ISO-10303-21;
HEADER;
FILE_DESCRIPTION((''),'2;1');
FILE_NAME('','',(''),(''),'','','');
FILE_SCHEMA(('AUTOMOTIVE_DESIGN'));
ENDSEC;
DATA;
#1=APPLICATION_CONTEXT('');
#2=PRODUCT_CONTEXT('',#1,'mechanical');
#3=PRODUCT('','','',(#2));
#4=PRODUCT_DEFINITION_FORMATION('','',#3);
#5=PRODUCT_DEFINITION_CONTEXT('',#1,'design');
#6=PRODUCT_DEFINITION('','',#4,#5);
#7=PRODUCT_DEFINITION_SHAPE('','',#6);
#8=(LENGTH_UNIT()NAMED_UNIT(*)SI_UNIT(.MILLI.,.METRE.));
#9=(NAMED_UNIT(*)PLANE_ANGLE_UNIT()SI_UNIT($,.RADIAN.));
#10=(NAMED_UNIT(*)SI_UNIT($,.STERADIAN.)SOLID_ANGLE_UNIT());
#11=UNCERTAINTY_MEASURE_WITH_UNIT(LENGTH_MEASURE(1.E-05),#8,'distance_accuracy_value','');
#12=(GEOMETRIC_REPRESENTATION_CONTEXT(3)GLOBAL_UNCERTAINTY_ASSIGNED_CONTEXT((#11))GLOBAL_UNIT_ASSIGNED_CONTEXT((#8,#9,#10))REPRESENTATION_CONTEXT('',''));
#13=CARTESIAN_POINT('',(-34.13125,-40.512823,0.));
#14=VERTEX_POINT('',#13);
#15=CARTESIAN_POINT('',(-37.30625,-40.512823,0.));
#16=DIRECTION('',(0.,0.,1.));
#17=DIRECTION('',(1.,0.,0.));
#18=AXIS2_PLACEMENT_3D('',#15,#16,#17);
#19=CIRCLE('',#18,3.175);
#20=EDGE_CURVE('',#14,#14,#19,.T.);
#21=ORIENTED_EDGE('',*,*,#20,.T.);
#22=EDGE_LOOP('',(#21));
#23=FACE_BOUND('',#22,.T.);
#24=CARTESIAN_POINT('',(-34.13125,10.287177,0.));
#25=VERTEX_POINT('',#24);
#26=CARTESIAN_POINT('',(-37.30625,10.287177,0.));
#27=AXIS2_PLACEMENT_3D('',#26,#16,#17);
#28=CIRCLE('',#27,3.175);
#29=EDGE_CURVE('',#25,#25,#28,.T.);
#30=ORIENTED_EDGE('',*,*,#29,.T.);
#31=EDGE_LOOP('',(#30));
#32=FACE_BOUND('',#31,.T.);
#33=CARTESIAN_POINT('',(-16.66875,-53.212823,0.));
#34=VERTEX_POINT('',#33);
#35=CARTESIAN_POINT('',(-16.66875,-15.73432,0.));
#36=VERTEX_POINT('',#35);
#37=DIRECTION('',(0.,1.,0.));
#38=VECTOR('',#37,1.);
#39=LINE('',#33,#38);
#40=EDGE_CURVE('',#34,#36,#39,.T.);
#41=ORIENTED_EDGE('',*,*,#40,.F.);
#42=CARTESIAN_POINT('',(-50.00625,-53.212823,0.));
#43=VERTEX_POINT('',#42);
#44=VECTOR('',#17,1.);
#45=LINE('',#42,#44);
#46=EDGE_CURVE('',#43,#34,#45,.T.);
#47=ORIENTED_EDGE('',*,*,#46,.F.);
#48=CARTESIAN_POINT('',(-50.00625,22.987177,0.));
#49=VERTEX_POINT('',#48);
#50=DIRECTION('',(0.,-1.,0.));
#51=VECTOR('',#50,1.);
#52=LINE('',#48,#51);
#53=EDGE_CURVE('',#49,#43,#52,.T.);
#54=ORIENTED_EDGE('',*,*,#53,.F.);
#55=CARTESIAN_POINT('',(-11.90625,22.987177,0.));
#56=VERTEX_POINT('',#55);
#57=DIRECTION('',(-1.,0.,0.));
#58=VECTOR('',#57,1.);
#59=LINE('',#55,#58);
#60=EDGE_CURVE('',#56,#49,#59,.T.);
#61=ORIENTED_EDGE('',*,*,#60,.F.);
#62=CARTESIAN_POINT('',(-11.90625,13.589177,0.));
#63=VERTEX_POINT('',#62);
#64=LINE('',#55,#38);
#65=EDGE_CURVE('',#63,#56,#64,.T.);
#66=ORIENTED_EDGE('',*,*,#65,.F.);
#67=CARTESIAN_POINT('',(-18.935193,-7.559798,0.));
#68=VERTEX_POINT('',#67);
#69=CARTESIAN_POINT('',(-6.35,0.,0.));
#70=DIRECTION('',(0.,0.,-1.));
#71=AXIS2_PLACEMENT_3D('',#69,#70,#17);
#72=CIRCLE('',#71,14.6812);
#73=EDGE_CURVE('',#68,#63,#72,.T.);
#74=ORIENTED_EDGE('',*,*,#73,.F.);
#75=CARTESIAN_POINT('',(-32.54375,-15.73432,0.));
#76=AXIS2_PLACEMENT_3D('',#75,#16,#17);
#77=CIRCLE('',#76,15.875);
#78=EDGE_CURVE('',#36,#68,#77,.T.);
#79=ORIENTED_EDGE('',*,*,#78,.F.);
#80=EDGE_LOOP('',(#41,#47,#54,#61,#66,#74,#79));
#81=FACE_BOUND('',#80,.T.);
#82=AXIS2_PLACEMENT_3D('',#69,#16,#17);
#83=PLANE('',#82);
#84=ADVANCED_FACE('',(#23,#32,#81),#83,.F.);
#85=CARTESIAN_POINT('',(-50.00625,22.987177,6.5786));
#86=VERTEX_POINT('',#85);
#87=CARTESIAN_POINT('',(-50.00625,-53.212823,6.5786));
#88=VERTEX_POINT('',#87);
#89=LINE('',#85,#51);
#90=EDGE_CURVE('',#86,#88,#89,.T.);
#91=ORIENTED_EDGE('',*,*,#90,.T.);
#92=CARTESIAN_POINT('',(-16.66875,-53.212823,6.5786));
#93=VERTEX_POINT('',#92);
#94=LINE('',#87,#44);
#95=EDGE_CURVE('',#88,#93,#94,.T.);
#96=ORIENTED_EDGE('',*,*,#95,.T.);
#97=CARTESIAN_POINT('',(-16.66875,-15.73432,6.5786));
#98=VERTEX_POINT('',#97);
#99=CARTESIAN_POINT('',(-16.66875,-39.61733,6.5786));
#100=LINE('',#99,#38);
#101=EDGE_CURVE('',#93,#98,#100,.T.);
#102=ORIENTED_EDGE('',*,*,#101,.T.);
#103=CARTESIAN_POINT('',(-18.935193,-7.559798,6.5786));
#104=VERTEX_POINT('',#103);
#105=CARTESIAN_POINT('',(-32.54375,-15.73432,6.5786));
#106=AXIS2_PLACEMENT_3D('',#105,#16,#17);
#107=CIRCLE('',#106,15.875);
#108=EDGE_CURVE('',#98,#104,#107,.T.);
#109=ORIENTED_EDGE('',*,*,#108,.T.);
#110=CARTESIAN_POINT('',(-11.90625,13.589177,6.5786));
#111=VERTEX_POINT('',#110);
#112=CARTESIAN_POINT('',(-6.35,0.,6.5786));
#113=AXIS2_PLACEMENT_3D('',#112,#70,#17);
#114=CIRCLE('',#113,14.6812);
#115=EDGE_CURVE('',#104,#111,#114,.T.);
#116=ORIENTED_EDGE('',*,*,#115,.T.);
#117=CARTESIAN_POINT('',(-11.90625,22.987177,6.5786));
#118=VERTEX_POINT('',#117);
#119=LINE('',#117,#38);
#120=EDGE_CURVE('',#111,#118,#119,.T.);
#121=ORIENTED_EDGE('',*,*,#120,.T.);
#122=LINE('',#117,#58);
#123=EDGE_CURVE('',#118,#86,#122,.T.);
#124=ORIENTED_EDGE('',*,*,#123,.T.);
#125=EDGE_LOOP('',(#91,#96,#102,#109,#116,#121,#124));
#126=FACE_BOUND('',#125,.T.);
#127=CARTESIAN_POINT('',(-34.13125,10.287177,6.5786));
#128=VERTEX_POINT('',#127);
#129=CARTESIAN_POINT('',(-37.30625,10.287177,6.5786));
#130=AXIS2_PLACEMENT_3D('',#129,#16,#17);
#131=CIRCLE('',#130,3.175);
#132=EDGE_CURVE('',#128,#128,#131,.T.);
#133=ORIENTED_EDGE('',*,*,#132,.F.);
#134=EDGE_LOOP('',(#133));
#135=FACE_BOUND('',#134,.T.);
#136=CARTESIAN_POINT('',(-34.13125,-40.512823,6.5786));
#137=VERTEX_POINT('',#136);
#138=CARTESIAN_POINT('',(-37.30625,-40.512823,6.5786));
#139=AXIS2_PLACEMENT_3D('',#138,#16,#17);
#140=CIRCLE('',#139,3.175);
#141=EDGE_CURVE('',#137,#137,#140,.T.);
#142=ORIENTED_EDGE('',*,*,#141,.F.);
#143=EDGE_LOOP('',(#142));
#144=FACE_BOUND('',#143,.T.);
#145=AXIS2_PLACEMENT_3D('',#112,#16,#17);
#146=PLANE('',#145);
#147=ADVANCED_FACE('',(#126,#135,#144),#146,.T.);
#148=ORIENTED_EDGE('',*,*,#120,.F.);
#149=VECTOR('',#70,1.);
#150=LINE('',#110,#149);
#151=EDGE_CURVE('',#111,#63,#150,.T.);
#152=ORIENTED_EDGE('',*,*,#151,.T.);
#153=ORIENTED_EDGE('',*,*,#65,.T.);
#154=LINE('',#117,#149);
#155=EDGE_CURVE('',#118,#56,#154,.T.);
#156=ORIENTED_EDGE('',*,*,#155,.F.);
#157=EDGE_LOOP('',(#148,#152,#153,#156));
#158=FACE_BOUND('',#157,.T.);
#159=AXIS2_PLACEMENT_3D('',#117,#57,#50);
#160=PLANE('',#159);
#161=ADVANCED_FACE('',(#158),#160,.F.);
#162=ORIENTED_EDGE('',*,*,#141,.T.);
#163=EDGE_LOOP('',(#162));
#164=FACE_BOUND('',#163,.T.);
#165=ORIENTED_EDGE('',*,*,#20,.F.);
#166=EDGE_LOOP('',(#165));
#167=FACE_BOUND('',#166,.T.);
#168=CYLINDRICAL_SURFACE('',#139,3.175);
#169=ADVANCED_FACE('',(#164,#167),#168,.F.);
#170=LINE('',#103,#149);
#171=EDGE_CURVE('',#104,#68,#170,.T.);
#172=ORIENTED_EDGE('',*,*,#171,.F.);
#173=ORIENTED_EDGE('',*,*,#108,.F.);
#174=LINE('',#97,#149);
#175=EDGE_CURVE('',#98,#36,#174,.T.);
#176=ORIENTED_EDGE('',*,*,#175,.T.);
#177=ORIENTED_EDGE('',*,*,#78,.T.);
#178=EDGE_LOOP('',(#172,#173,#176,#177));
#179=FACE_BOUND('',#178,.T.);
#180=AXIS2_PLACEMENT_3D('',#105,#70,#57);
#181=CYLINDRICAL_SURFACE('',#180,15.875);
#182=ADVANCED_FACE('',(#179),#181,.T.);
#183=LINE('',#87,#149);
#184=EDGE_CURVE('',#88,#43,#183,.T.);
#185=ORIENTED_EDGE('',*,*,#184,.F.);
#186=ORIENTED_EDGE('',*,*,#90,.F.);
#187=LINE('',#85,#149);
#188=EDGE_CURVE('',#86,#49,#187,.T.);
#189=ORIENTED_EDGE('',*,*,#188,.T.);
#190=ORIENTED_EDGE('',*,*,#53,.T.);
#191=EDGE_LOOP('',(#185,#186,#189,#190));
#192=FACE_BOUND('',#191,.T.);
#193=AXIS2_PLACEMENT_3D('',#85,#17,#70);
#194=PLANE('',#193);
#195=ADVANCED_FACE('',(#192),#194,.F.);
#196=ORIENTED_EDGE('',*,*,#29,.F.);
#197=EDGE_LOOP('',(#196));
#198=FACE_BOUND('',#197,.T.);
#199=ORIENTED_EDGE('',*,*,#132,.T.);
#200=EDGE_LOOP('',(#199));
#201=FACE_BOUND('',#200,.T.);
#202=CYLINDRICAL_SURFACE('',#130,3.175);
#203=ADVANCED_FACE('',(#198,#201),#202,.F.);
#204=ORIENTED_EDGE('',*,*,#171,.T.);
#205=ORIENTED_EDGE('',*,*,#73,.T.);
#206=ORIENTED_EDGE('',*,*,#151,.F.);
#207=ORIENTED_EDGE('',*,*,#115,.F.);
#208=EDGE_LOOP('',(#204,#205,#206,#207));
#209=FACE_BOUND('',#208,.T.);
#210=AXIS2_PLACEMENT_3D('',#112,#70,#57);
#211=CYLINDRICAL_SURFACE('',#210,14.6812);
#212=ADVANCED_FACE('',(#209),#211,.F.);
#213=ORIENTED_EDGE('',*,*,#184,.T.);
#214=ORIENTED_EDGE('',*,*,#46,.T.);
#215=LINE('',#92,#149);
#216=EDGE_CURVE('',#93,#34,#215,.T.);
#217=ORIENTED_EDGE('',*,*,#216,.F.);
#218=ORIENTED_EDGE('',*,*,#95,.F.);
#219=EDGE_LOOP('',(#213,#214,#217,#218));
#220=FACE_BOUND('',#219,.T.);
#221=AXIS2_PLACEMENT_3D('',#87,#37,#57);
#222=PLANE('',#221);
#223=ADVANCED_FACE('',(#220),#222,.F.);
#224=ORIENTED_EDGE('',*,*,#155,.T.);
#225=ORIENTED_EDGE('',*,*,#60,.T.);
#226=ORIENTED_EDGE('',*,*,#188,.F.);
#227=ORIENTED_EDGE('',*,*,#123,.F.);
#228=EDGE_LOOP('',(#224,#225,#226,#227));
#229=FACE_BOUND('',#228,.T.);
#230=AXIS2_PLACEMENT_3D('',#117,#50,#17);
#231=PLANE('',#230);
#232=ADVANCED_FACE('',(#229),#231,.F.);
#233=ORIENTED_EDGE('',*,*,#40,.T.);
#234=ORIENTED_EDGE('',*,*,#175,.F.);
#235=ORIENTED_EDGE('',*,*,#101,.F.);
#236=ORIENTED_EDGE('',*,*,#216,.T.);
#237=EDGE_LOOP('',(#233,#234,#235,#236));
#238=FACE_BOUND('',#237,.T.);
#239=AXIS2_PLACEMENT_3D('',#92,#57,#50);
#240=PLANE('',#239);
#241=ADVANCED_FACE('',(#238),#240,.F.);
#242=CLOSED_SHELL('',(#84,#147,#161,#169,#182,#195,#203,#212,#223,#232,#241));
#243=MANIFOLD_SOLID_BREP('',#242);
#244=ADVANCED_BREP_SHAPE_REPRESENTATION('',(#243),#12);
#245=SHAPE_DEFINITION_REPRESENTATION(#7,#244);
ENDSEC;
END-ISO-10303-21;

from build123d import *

# Parameters (mm, degrees)
BOSS_EXTRUDE1_DEPTH        = 6.5786
F_97_0_25_DIAMETER_HOLE1_D = 6.35


with BuildPart() as part:
    # Sketch2 → Boss-Extrude1 (new body)
    with BuildSketch(Plane.XY):
        with BuildLine():
            Line((-16.66875, -15.734319794), (-16.66875, -39.617329943))
            Line((-16.66875, -39.617329943), (-16.66875, -49.389319794))
            Line((-16.66875, -49.389319794), (-16.66875, -53.212823447))
            Line((-16.66875, -53.212823447), (-50.00625, -53.212823447))
            Line((-50.00625, -53.212823447), (-50.00625, 22.987176553))
            Line((-50.00625, 22.987176553), (-11.90625, 22.987176553))
            Line((-11.90625, 22.987176553), (-11.90625, 13.589176553))
            ThreePointArc((-11.90625, 13.589176553), (-20.281897601, 4.630319933), (-18.935193267, -7.559797873))
            ThreePointArc((-18.935193267, -7.559797873), (-17.24585042, -11.492870345), (-16.66875, -15.734319794))
        make_face()
    extrude(amount=BOSS_EXTRUDE1_DEPTH)

    # #97 (0.25) Diameter Hole1 (through all)
    with Locations(Plane(origin=(-37.30625, 10.287176553, 6.5786), x_dir=(1, 0, 0), z_dir=(0, 0, 1))):
        with Locations((0, 0), (0, -50.8)):
            Hole(F_97_0_25_DIAMETER_HOLE1_D / 2)


solid = part.part
